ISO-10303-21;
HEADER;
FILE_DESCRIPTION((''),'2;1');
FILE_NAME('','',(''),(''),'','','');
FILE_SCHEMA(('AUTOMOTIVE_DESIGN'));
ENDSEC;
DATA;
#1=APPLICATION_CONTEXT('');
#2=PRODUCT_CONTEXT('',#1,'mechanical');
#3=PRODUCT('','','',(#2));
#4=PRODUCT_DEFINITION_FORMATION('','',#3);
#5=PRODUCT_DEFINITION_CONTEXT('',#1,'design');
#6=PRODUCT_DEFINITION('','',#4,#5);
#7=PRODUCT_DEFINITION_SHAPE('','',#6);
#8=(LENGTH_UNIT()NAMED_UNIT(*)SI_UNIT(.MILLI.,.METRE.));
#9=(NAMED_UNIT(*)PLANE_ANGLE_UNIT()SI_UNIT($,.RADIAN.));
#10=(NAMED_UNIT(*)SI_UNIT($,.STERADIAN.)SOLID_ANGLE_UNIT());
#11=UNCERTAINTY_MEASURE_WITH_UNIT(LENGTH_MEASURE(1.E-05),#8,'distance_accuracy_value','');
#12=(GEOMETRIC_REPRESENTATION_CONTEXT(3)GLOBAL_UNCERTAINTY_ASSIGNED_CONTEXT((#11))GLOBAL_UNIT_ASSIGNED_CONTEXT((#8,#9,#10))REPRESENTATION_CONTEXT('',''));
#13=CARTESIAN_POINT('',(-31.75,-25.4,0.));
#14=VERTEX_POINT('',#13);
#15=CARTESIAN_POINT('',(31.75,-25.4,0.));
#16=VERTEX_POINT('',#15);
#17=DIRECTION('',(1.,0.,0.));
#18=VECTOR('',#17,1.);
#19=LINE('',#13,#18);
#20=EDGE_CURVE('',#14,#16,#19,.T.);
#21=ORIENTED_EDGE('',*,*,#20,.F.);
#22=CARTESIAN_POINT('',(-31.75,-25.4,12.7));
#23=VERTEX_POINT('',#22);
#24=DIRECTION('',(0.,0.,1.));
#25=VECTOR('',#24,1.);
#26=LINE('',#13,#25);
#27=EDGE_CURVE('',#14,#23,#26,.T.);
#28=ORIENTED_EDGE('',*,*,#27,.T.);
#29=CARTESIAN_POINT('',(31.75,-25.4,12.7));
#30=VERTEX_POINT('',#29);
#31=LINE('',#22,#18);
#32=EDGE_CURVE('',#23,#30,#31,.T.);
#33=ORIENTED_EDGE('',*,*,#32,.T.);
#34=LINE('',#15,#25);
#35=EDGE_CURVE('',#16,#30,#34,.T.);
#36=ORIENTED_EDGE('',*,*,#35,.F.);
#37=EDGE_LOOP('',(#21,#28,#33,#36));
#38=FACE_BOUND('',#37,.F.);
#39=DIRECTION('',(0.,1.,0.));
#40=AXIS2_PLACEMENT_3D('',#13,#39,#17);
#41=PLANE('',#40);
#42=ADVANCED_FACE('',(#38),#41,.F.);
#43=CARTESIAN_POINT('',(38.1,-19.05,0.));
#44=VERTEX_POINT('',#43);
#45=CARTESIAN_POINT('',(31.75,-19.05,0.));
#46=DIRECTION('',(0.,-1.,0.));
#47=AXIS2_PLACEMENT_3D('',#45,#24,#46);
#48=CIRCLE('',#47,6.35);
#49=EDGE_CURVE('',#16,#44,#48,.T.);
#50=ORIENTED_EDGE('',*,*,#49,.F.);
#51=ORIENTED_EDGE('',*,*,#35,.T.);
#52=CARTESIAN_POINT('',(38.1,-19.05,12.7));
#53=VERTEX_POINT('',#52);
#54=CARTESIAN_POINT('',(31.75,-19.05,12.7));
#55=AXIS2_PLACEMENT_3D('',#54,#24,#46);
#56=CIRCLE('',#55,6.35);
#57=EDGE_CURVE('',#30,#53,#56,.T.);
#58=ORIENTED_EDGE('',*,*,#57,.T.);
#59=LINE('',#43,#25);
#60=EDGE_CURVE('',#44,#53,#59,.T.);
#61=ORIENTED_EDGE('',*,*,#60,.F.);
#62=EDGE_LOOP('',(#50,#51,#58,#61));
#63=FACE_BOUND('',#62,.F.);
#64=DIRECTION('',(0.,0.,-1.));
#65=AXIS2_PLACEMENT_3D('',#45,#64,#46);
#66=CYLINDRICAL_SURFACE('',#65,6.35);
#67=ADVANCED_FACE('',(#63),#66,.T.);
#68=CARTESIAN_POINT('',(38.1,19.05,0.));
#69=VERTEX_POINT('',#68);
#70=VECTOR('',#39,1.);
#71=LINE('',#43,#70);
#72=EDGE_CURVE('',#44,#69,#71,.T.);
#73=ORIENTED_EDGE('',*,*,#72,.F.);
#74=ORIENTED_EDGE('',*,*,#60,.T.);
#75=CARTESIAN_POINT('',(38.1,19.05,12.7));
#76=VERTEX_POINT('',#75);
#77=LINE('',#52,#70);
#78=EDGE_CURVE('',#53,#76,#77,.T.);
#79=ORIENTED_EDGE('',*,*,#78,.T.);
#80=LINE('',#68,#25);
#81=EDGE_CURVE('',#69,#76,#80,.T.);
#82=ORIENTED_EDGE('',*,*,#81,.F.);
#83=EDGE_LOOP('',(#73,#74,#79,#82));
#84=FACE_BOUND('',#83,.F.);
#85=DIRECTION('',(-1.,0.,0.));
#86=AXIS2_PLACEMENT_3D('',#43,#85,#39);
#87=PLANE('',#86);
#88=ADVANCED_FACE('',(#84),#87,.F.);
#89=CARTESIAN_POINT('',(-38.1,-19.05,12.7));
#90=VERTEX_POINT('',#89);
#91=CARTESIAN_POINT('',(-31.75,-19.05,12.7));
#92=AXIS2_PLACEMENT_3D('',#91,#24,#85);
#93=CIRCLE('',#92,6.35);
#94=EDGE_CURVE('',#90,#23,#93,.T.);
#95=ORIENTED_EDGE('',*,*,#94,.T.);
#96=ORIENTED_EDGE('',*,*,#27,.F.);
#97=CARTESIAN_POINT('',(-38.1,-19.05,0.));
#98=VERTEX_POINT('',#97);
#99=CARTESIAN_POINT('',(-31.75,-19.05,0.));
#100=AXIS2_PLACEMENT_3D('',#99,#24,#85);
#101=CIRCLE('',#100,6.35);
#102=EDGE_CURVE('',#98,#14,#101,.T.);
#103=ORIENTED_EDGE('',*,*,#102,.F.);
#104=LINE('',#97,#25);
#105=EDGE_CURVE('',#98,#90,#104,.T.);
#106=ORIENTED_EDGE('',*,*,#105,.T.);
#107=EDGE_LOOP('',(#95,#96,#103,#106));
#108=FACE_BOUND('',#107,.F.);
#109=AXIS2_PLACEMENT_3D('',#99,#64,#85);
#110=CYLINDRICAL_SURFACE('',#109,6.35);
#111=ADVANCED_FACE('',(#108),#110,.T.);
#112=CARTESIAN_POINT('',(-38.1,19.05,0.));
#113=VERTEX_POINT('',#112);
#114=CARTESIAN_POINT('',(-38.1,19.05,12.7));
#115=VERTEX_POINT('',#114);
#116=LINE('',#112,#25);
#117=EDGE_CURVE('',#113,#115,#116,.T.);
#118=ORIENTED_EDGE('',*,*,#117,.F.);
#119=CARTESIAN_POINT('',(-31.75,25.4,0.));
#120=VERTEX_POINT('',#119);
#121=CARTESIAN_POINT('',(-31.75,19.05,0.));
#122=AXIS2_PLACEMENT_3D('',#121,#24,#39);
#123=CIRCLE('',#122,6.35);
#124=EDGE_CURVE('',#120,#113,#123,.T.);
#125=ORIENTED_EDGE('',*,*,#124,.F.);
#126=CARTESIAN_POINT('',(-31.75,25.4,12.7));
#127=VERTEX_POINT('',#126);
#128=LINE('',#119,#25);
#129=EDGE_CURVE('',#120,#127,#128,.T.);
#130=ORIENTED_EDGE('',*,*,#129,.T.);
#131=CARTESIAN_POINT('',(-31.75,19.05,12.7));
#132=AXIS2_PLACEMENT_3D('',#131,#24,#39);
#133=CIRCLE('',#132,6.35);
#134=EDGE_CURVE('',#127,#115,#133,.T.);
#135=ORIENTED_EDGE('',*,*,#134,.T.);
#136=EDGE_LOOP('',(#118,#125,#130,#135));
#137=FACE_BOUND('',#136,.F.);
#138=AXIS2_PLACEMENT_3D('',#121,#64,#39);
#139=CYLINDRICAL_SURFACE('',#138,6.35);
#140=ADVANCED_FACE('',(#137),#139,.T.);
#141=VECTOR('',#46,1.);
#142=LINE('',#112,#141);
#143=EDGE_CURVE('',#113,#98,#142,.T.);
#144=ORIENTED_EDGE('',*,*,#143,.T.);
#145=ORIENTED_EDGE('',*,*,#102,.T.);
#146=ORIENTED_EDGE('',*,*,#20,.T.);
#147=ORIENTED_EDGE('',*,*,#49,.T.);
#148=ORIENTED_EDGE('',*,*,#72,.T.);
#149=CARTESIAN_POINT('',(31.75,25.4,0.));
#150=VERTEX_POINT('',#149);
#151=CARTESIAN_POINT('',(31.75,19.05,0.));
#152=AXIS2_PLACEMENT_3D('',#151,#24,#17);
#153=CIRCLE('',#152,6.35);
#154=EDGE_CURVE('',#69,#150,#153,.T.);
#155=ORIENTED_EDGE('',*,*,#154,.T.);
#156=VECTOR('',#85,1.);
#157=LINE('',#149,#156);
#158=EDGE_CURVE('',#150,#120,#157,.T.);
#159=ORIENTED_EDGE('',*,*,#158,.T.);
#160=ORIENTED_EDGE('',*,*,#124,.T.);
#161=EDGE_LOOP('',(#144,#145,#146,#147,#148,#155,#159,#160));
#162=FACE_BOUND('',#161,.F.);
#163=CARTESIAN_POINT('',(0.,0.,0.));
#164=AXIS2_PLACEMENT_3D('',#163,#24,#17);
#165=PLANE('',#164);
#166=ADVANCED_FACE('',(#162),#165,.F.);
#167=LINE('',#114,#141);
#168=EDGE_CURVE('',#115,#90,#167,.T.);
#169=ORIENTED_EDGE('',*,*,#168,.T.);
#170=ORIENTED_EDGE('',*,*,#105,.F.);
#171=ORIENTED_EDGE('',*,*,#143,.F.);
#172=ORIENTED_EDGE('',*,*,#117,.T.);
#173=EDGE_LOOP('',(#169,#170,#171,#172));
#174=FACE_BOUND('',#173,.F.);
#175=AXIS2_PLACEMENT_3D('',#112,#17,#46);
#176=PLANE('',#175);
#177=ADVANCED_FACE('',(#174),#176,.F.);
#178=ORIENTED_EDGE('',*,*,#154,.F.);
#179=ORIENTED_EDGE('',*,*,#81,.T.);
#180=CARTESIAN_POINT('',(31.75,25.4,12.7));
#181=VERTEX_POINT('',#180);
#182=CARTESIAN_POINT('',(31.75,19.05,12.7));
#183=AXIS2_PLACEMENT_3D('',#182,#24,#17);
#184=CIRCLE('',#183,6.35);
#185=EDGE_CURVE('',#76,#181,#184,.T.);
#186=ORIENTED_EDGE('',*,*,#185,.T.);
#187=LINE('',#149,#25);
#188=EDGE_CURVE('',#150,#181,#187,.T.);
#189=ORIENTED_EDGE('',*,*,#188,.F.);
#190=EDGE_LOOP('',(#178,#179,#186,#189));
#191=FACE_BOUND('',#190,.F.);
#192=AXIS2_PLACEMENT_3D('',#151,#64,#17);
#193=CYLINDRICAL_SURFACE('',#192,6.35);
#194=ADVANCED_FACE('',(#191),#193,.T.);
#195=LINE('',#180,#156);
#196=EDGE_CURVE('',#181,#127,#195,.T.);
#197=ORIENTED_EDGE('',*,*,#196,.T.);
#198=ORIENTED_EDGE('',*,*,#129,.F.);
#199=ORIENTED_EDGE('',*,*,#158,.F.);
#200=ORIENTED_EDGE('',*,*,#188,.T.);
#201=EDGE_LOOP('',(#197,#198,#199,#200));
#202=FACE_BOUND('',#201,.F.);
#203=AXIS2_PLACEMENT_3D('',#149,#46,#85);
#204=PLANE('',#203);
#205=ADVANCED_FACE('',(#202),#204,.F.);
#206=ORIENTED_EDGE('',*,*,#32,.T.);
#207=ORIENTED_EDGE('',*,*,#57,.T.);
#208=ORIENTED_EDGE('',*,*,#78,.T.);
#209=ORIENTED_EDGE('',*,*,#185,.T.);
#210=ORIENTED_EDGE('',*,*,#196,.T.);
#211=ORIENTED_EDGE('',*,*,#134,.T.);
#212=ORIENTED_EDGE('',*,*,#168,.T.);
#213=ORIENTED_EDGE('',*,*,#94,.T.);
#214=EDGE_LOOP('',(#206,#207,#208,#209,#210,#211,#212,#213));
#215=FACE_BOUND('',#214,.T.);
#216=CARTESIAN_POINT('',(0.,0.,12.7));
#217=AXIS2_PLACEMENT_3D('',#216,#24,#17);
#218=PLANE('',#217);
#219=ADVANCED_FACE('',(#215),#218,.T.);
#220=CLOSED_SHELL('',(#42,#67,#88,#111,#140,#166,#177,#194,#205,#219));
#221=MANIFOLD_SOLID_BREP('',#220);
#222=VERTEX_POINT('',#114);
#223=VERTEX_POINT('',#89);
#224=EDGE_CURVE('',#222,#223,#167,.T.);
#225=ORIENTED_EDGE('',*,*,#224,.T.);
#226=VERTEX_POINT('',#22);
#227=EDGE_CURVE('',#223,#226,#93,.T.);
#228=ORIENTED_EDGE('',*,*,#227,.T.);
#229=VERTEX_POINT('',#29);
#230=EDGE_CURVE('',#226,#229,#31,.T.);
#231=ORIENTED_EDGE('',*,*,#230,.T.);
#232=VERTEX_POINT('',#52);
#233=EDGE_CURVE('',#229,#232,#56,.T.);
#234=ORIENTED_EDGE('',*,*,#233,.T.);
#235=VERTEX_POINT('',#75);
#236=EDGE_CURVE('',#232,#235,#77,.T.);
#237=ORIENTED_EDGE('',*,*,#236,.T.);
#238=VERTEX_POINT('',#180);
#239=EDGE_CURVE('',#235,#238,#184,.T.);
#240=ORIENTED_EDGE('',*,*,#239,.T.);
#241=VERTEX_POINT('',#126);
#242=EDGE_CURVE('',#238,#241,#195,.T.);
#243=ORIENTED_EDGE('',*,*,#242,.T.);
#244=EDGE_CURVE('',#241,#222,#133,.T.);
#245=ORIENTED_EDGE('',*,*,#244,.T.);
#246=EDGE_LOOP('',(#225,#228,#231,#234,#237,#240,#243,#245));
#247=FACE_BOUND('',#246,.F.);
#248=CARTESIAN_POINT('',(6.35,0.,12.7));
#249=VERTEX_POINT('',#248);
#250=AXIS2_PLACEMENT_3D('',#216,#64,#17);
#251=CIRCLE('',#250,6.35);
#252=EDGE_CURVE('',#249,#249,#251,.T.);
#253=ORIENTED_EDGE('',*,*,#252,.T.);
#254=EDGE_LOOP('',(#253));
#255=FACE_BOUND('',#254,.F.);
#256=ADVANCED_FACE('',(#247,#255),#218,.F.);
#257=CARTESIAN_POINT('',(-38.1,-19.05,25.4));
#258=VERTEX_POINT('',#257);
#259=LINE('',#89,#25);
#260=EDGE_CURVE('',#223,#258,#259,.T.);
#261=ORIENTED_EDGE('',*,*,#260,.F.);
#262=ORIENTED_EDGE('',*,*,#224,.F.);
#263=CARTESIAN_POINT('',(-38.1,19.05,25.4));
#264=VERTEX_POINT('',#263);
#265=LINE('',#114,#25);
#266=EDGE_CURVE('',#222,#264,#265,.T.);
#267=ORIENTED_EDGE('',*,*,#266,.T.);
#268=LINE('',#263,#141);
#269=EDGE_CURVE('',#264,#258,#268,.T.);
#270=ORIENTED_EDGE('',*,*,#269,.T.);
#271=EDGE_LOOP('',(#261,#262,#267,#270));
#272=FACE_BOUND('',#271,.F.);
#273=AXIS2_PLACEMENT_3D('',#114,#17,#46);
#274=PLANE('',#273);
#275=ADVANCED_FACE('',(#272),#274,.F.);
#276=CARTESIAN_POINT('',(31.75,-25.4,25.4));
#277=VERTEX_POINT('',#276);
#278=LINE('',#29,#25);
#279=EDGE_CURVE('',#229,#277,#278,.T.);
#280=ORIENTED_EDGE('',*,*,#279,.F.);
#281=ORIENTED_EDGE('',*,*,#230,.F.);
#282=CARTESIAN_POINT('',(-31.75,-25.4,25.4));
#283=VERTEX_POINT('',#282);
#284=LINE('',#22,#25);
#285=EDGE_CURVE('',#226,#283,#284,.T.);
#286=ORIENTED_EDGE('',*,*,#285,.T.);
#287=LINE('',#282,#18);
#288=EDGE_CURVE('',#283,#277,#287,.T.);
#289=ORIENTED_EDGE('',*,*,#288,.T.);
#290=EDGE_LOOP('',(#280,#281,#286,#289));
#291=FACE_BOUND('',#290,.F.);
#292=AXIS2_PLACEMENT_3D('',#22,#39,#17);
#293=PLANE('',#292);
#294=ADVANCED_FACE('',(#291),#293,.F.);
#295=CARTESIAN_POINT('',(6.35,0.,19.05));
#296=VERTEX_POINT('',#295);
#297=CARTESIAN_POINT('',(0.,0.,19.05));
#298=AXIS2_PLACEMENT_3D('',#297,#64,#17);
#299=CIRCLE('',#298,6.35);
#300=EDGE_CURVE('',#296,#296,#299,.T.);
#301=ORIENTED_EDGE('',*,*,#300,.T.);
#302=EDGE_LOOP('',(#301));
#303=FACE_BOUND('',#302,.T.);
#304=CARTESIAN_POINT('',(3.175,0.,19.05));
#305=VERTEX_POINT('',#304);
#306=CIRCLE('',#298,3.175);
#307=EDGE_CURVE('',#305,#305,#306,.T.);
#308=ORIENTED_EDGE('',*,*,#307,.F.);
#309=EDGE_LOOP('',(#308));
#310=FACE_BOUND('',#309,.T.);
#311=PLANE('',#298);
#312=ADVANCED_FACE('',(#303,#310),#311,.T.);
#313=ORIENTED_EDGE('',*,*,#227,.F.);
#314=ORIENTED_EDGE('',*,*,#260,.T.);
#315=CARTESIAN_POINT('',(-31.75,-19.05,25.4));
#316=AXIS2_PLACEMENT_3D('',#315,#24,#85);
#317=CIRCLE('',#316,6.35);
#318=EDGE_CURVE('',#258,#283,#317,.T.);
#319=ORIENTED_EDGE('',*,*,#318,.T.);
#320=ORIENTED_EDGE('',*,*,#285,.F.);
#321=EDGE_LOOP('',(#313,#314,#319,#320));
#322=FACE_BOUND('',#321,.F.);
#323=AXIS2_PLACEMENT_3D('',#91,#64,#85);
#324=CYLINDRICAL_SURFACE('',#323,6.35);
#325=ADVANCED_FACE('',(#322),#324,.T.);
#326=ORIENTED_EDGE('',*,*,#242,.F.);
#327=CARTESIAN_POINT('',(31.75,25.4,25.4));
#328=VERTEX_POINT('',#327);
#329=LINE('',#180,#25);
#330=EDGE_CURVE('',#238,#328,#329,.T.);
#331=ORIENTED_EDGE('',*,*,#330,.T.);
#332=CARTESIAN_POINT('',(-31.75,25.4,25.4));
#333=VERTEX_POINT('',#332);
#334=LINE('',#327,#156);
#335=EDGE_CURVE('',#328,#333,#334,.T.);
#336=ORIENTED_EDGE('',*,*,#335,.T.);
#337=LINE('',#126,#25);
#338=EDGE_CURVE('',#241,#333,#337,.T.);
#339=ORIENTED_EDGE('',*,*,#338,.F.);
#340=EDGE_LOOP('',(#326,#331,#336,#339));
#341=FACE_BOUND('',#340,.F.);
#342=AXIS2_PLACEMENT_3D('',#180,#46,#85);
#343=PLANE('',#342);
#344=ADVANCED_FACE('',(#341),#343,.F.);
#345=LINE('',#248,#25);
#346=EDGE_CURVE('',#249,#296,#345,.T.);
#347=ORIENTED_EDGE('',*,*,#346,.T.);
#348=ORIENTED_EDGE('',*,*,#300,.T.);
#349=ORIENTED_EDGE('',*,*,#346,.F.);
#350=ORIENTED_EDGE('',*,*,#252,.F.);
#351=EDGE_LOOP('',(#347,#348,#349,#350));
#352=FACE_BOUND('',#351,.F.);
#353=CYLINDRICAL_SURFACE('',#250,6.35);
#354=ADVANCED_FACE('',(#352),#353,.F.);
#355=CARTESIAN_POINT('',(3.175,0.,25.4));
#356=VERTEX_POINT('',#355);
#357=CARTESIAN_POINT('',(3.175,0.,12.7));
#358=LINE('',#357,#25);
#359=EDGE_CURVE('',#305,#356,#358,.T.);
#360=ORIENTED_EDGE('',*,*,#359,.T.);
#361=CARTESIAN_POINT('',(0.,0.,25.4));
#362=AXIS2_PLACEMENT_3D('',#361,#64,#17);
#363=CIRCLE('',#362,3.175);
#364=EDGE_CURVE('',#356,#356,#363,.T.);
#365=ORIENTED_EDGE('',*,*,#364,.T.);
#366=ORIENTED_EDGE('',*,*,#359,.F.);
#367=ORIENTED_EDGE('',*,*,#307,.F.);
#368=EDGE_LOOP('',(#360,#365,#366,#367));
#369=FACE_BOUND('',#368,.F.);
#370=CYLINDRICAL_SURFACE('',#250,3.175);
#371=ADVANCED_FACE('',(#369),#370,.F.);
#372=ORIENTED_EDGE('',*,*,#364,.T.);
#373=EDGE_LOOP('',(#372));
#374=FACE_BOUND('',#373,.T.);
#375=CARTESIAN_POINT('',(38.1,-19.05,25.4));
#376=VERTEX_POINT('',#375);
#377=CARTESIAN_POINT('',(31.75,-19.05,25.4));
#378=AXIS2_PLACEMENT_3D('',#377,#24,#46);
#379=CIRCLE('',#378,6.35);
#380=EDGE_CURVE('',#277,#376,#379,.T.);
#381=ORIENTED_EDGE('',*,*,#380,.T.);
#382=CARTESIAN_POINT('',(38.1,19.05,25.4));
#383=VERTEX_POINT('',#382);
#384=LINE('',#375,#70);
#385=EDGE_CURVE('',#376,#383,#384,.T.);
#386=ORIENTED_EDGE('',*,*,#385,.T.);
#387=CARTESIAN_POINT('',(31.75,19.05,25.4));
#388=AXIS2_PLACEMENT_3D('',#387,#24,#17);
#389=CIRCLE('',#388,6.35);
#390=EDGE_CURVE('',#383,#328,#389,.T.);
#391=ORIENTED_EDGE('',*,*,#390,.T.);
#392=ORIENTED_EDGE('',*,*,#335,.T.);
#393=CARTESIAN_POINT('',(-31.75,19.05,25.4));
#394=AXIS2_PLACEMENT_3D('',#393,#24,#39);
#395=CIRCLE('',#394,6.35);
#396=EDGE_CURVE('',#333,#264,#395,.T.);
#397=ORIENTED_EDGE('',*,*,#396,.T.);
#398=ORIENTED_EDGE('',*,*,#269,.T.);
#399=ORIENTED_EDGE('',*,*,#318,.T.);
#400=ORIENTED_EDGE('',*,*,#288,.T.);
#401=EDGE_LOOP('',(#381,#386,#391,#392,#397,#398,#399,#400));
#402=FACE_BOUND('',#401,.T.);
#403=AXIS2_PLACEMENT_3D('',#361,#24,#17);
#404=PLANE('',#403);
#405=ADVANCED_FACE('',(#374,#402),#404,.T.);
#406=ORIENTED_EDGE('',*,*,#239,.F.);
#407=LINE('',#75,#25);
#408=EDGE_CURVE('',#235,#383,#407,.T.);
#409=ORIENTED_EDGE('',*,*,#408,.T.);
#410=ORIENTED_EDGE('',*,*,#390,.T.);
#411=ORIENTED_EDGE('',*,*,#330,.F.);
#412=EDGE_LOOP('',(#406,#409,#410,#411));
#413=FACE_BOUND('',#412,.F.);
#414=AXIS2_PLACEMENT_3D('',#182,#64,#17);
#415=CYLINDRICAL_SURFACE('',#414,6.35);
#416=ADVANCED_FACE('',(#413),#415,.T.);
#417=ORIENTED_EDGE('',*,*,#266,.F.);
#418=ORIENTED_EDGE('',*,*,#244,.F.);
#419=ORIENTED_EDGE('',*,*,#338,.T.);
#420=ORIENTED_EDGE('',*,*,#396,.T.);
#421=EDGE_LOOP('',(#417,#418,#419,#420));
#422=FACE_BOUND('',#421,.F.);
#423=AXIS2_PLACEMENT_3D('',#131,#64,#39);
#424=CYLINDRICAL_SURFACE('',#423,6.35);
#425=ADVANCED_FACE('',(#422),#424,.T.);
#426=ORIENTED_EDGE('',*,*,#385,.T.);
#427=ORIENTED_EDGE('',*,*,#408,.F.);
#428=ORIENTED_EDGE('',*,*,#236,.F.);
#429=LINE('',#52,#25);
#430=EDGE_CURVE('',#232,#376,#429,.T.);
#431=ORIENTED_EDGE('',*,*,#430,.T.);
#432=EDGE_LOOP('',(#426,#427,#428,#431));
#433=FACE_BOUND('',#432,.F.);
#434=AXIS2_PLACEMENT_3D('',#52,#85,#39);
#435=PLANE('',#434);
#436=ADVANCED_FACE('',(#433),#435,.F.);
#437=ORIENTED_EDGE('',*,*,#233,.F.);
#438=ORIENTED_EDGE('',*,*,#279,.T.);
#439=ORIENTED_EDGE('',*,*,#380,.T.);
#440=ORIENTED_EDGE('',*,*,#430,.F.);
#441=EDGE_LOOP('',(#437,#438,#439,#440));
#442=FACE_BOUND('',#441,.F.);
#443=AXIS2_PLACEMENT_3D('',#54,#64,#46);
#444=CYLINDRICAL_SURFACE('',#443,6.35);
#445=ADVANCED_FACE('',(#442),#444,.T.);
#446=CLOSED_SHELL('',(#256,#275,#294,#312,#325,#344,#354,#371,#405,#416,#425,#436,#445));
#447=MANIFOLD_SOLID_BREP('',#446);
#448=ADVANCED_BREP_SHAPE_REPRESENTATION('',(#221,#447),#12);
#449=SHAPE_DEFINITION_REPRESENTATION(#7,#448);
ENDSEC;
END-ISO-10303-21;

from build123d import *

# Parameters (mm, degrees)
F1_DEPTH = 12.7
F3_R     = 6.35
F3_R_2   = 3.175
F4_DEPTH = 6.35
F5_DEPTH = 12.7


with BuildPart() as f1:
    # F0 (on Top) → F1 (new body)
    with BuildSketch(Plane.XY):
        with BuildLine():
            Line((31.75, 25.4), (-31.75, 25.4))
            ThreePointArc((-31.75, 25.4), (-36.2401280605, 23.5401280605), (-38.1, 19.05))
            Line((-38.1, 19.05), (-38.1, -19.05))
            ThreePointArc((-38.1, -19.05), (-36.2401280605, -23.5401280605), (-31.75, -25.4))
            Line((-31.75, -25.4), (31.75, -25.4))
            ThreePointArc((31.75, -25.4), (36.2401280605, -23.5401280605), (38.1, -19.05))
            Line((38.1, -19.05), (38.1, 19.05))
            ThreePointArc((38.1, 19.05), (36.2401280605, 23.5401280605), (31.75, 25.4))
        make_face()
    extrude(amount=F1_DEPTH)


with BuildPart() as f2_1:
    # F2: copy of F1
    add(f1.part.moved(Location((0, 0, 12.7))))

    # F3 (on face) → F4 (cut)
    with BuildSketch(Plane(origin=(0, 0, 12.7), x_dir=(1, 0, 0), z_dir=(0, 0, -1))):
        Circle(F3_R)
        Circle(F3_R_2, mode=Mode.SUBTRACT)
        Circle(F3_R_2)
    extrude(amount=-F4_DEPTH, mode=Mode.SUBTRACT)

    # F3 (on face) → F5 (cut, through all)
    with BuildSketch(Plane(origin=(0, 0, 12.7), x_dir=(1, 0, 0), z_dir=(0, 0, -1))):
        Circle(F3_R_2)
    extrude(amount=-F5_DEPTH, mode=Mode.SUBTRACT)


solid = Compound([f1.part, f2_1.part])
